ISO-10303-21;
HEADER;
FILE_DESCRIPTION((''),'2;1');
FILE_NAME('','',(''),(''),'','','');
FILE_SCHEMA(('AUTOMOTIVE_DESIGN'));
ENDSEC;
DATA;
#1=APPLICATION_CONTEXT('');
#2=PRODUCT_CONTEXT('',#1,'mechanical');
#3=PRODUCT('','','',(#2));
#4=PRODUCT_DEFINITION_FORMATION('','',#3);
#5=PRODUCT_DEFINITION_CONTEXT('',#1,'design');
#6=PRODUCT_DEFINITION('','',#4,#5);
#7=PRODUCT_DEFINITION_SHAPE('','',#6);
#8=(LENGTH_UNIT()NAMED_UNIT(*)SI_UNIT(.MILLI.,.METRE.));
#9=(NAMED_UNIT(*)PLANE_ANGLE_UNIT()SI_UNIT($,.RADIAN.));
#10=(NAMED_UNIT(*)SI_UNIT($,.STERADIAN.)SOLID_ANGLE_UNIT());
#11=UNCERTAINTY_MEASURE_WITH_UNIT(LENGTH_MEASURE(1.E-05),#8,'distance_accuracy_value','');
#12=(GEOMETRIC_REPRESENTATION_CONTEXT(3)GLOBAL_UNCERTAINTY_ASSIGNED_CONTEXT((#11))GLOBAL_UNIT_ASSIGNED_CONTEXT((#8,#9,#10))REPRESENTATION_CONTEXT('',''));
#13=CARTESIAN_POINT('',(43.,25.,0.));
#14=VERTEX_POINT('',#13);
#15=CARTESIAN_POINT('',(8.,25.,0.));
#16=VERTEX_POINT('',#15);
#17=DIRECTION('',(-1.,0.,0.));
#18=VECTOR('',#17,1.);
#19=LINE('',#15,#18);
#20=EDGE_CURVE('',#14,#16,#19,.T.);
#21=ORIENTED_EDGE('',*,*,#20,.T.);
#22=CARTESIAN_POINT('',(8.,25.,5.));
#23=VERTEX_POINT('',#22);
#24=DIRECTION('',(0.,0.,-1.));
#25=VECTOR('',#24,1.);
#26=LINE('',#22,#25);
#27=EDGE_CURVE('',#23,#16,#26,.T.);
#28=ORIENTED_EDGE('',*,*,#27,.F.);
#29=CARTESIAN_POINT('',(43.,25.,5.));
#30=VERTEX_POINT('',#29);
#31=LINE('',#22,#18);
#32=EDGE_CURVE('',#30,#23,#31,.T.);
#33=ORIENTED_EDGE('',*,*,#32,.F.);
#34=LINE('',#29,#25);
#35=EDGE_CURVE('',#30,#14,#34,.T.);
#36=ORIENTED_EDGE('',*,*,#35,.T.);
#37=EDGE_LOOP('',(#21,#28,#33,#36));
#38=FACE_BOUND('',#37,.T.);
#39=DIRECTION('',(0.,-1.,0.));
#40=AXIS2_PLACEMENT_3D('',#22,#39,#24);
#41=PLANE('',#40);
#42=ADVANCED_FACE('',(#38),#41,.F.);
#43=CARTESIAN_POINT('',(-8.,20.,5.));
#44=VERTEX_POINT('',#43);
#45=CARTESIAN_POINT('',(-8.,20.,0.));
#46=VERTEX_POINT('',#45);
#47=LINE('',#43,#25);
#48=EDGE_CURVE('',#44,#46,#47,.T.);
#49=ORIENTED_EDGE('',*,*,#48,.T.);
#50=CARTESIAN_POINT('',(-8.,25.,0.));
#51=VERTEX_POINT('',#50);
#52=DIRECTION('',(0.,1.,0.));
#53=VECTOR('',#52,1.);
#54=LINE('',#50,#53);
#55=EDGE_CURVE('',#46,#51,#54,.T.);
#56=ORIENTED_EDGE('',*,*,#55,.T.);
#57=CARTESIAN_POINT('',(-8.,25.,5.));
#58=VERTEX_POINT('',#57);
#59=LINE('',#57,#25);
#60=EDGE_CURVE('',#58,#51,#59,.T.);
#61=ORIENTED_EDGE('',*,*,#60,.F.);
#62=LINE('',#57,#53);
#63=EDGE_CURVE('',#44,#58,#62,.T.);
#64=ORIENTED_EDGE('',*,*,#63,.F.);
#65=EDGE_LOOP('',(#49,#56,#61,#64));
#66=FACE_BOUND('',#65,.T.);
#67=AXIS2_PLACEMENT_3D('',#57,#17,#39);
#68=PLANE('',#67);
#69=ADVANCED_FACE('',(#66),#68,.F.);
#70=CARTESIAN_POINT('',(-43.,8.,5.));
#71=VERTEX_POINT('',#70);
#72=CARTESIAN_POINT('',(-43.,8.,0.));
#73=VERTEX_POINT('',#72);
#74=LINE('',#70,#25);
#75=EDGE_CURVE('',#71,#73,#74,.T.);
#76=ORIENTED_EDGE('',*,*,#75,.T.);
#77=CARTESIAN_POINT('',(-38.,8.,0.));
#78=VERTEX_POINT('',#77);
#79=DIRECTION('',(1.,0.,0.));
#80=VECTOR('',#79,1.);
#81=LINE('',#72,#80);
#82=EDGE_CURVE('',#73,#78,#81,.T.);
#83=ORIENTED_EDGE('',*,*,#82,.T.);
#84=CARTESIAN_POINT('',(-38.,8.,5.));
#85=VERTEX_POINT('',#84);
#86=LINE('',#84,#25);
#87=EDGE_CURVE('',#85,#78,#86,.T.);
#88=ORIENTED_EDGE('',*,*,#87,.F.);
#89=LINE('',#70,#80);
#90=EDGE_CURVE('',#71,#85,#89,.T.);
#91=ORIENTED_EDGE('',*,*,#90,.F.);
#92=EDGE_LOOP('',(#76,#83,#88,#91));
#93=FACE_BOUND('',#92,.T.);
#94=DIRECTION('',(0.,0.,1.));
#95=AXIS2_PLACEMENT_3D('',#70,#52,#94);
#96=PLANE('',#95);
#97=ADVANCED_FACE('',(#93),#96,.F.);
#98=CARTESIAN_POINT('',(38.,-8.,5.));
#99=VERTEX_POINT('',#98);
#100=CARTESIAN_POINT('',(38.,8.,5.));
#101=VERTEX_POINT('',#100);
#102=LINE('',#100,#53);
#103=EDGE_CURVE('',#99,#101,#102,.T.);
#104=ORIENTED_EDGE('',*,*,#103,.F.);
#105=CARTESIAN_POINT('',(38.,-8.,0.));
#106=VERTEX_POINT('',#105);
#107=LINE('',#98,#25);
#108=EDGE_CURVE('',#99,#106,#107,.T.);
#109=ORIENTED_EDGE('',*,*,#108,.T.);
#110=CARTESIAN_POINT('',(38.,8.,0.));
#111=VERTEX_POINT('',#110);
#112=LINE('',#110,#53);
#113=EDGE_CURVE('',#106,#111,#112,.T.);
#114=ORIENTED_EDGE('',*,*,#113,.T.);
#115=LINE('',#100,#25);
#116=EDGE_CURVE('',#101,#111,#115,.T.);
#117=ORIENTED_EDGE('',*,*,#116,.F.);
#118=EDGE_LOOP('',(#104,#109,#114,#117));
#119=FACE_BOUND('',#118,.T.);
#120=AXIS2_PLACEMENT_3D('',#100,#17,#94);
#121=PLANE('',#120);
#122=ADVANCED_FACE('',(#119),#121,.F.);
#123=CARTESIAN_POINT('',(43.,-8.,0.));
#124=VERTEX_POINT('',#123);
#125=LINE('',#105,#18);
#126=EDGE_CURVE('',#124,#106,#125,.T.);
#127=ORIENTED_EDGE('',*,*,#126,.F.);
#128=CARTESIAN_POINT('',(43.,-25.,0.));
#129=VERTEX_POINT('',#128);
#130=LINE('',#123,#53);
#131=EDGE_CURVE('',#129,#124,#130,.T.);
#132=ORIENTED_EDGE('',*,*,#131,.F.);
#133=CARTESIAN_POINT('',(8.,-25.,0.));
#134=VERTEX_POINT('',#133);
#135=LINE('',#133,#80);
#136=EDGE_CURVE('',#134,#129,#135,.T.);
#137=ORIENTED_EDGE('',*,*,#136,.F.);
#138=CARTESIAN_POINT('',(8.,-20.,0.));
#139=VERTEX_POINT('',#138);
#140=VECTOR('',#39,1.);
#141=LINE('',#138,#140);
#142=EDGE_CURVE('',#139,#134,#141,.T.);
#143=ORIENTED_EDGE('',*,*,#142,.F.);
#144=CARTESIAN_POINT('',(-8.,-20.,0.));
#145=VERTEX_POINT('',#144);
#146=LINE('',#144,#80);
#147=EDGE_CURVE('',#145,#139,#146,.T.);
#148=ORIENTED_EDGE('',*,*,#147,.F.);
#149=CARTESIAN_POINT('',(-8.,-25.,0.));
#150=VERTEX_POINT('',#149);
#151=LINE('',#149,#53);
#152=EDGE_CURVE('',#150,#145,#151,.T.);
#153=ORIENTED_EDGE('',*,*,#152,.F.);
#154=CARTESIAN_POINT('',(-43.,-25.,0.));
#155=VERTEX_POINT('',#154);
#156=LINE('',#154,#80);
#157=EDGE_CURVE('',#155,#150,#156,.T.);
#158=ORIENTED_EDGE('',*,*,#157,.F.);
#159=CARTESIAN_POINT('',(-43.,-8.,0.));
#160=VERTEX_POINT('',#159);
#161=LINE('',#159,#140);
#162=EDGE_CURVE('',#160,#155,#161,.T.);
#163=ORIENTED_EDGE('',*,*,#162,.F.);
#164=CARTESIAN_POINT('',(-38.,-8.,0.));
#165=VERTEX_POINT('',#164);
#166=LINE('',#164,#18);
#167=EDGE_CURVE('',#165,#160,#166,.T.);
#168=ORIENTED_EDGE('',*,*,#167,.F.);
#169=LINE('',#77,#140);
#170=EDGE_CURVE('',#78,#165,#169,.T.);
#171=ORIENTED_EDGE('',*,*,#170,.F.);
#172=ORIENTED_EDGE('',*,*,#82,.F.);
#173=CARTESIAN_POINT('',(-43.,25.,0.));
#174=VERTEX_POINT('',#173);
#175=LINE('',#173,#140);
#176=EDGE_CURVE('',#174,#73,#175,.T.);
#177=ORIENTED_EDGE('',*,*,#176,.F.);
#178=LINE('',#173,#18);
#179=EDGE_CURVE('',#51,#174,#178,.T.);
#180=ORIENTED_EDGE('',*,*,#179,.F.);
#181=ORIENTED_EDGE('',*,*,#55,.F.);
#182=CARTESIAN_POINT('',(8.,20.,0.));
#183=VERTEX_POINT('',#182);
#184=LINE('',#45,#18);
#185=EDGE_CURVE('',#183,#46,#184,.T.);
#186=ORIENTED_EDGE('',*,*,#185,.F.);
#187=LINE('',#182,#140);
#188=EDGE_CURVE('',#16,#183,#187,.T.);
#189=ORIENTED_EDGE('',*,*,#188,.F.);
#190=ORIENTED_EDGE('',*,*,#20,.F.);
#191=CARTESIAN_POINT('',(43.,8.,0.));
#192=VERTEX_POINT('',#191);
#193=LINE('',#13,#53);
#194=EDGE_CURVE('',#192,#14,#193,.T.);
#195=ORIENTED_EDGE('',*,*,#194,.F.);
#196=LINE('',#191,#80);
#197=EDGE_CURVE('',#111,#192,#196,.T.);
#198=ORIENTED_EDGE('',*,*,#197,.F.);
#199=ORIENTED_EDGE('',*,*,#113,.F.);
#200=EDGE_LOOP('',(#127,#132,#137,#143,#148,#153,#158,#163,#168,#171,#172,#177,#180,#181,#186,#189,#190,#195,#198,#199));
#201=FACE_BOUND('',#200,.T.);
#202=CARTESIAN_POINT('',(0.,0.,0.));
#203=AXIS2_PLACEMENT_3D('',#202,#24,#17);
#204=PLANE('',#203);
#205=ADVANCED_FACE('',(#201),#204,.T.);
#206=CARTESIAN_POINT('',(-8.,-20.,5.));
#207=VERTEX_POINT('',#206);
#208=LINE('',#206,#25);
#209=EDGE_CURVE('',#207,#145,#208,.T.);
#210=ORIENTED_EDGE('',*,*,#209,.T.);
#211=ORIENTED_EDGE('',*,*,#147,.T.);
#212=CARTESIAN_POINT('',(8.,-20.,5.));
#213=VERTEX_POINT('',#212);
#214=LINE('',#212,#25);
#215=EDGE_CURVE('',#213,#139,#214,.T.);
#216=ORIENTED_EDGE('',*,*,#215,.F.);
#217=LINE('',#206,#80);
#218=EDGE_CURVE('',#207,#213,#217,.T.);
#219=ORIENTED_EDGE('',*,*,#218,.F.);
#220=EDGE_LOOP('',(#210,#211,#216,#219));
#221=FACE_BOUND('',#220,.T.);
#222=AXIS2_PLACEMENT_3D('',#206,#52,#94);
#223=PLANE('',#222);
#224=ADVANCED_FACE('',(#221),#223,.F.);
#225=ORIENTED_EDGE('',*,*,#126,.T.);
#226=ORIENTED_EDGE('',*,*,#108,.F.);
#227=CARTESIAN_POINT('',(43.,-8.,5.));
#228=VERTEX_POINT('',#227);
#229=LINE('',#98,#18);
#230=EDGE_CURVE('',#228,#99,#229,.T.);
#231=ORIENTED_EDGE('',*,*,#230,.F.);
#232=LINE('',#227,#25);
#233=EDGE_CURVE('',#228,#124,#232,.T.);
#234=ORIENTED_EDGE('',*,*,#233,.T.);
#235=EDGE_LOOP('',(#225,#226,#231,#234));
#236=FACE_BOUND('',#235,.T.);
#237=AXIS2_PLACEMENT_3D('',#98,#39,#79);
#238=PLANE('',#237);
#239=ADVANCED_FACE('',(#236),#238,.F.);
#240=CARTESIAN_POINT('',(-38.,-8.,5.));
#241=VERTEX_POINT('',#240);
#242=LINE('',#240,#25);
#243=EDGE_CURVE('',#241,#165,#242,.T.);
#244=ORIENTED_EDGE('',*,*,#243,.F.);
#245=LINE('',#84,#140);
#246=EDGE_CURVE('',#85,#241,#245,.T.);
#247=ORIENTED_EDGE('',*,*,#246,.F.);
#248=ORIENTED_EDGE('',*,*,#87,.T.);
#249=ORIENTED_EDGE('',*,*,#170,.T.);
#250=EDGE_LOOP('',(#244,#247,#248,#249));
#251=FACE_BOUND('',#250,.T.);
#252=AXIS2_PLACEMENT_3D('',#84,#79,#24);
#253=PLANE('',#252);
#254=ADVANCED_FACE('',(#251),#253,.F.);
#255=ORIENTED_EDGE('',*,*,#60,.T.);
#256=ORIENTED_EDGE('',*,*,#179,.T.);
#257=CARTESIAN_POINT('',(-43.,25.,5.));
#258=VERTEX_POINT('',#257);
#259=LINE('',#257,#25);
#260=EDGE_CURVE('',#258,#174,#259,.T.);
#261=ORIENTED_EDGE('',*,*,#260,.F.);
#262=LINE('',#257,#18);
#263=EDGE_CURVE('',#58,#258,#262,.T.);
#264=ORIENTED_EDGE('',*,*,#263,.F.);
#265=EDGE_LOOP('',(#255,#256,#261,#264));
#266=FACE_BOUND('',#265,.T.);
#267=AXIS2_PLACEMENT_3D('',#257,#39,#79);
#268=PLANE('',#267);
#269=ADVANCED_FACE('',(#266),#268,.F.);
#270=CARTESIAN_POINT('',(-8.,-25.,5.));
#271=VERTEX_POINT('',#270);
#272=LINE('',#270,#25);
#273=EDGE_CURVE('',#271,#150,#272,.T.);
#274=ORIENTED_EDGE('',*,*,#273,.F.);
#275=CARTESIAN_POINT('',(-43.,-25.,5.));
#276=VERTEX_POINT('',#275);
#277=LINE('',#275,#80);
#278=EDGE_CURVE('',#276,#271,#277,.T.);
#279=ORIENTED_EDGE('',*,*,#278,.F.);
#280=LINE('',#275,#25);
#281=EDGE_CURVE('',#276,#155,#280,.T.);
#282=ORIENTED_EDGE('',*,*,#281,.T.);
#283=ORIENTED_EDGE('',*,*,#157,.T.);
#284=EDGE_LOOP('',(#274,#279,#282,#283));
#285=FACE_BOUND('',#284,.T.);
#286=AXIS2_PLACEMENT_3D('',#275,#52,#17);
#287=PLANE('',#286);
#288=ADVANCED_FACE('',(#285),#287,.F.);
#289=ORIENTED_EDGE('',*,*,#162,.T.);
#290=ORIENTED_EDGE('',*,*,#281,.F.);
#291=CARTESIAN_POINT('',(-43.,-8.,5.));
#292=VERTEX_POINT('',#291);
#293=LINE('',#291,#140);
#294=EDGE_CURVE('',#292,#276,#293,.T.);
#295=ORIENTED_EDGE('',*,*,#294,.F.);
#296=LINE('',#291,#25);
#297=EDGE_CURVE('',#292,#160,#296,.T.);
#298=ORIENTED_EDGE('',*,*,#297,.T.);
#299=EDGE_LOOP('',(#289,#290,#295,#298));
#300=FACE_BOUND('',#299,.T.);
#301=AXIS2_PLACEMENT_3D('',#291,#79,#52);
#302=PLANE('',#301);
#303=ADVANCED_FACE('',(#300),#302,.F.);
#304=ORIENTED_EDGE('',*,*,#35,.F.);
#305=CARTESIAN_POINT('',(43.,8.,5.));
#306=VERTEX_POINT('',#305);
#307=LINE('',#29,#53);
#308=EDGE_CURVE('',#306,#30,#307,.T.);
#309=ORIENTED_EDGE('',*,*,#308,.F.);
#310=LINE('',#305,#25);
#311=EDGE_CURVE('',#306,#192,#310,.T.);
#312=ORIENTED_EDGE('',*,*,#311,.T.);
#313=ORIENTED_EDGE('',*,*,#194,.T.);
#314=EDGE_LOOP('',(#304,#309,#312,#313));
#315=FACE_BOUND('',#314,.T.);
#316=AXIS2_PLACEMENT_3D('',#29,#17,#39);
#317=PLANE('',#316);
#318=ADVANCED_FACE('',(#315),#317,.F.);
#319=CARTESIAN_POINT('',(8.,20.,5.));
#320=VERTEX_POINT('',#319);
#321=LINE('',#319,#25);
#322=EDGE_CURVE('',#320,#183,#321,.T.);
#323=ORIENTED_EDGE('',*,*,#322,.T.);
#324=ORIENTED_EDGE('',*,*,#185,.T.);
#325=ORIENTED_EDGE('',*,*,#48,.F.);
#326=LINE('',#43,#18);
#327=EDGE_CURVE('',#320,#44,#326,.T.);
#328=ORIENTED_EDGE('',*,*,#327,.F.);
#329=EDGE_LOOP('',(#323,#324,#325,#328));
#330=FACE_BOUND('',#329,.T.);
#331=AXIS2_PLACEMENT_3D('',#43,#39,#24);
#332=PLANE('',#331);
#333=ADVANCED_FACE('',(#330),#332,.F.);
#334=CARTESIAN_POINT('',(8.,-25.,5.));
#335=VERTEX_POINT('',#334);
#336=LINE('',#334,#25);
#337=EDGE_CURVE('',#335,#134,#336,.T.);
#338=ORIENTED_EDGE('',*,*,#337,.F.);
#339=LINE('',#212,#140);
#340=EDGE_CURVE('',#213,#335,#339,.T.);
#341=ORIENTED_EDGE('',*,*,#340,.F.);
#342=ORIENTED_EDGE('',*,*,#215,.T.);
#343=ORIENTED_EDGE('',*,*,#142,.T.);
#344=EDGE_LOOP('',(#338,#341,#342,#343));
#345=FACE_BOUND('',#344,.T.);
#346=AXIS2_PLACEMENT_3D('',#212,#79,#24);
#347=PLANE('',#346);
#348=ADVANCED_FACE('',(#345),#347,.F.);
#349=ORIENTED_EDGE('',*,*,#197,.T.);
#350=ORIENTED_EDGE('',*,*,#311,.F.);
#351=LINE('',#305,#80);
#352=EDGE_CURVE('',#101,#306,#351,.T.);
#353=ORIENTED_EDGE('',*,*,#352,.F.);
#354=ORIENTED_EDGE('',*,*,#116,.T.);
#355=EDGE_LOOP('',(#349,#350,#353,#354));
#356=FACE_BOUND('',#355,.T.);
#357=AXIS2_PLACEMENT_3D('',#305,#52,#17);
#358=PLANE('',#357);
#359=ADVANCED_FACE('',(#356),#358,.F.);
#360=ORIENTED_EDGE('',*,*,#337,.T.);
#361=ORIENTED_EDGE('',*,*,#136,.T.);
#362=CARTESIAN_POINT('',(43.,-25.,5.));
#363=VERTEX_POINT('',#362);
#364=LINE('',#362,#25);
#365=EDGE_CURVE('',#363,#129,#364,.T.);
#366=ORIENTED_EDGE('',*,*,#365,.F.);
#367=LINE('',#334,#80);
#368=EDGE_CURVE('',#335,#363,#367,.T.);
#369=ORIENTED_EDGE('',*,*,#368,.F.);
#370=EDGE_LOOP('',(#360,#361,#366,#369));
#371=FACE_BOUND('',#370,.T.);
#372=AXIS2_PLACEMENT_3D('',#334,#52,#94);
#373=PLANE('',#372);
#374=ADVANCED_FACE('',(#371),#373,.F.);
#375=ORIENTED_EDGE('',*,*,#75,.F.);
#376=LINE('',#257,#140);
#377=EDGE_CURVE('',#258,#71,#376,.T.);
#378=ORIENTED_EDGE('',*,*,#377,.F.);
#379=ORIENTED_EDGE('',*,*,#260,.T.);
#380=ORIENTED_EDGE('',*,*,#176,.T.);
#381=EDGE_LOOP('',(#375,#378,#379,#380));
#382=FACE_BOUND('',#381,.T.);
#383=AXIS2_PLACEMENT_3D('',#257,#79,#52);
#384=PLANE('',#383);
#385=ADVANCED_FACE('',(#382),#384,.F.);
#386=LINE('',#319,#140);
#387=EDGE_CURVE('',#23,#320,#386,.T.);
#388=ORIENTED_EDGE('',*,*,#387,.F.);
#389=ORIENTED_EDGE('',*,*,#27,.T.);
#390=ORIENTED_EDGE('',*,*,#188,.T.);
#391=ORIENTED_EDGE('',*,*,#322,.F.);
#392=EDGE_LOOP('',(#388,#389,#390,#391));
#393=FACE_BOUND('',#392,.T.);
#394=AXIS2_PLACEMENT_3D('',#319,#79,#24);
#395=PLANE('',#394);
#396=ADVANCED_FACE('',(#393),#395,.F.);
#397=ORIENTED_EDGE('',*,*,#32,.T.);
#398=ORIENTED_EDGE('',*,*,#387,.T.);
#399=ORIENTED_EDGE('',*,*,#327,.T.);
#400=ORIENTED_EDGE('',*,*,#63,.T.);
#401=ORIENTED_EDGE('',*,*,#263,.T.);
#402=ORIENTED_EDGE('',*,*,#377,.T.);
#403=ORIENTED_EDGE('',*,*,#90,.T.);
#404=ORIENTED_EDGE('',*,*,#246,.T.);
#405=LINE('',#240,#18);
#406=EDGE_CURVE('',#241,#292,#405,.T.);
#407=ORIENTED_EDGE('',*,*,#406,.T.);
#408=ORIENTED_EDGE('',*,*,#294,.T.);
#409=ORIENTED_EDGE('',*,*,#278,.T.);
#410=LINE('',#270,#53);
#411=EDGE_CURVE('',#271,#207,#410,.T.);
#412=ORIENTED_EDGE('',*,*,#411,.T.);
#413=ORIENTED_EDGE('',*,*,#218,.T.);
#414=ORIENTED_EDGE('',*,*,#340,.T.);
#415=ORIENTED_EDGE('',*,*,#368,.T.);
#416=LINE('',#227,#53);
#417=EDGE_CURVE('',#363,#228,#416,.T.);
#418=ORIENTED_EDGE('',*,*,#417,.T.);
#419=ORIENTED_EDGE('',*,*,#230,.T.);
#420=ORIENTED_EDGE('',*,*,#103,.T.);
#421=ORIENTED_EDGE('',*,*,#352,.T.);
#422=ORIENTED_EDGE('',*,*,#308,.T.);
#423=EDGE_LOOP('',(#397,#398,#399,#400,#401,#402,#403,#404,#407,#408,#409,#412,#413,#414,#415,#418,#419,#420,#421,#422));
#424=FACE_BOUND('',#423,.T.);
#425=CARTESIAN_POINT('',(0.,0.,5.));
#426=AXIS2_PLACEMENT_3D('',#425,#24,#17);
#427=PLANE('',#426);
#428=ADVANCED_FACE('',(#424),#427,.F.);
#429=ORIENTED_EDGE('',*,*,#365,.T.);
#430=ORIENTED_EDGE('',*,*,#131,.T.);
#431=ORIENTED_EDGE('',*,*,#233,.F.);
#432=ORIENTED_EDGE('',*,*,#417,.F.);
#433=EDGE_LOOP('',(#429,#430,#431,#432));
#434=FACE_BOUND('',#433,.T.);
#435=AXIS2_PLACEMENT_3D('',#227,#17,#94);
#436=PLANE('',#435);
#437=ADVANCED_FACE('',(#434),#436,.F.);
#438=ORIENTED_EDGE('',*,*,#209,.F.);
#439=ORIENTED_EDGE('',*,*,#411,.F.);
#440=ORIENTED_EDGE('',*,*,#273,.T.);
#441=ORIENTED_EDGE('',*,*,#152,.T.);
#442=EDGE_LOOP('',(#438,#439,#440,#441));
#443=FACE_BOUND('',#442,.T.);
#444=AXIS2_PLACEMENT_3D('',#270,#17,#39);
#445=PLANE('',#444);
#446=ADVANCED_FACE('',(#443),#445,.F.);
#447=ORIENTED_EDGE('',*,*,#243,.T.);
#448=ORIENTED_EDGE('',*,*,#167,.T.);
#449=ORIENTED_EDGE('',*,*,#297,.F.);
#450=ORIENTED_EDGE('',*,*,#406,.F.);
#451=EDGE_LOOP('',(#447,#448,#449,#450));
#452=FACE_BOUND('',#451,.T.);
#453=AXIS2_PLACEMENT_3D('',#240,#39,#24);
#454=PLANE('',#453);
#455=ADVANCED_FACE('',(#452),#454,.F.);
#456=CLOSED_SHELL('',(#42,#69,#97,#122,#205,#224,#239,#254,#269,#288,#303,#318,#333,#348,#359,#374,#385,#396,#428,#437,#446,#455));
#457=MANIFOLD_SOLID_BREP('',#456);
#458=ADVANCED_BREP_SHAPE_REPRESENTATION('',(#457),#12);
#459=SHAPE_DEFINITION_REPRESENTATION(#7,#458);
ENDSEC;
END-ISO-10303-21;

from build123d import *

# Parameters (mm, degrees)
BOSS_EXTRUDE1_DEPTH = 5


with BuildPart() as part:
    # Sketch1 → Boss-Extrude1 (new body)
    with BuildSketch(Plane.XY):
        Polygon((-43, 25), (-8, 25), (-8, 20), (8, 20), (8, 25), (43, 25), (43, 8), (38, 8), (38, -8), (43, -8), (43, -25), (8, -25), (8, -20), (-8, -20), (-8, -25), (-43, -25), (-43, -8), (-38, -8), (-38, 8), (-43, 8), align=None)
    extrude(amount=BOSS_EXTRUDE1_DEPTH)


solid = part.part
